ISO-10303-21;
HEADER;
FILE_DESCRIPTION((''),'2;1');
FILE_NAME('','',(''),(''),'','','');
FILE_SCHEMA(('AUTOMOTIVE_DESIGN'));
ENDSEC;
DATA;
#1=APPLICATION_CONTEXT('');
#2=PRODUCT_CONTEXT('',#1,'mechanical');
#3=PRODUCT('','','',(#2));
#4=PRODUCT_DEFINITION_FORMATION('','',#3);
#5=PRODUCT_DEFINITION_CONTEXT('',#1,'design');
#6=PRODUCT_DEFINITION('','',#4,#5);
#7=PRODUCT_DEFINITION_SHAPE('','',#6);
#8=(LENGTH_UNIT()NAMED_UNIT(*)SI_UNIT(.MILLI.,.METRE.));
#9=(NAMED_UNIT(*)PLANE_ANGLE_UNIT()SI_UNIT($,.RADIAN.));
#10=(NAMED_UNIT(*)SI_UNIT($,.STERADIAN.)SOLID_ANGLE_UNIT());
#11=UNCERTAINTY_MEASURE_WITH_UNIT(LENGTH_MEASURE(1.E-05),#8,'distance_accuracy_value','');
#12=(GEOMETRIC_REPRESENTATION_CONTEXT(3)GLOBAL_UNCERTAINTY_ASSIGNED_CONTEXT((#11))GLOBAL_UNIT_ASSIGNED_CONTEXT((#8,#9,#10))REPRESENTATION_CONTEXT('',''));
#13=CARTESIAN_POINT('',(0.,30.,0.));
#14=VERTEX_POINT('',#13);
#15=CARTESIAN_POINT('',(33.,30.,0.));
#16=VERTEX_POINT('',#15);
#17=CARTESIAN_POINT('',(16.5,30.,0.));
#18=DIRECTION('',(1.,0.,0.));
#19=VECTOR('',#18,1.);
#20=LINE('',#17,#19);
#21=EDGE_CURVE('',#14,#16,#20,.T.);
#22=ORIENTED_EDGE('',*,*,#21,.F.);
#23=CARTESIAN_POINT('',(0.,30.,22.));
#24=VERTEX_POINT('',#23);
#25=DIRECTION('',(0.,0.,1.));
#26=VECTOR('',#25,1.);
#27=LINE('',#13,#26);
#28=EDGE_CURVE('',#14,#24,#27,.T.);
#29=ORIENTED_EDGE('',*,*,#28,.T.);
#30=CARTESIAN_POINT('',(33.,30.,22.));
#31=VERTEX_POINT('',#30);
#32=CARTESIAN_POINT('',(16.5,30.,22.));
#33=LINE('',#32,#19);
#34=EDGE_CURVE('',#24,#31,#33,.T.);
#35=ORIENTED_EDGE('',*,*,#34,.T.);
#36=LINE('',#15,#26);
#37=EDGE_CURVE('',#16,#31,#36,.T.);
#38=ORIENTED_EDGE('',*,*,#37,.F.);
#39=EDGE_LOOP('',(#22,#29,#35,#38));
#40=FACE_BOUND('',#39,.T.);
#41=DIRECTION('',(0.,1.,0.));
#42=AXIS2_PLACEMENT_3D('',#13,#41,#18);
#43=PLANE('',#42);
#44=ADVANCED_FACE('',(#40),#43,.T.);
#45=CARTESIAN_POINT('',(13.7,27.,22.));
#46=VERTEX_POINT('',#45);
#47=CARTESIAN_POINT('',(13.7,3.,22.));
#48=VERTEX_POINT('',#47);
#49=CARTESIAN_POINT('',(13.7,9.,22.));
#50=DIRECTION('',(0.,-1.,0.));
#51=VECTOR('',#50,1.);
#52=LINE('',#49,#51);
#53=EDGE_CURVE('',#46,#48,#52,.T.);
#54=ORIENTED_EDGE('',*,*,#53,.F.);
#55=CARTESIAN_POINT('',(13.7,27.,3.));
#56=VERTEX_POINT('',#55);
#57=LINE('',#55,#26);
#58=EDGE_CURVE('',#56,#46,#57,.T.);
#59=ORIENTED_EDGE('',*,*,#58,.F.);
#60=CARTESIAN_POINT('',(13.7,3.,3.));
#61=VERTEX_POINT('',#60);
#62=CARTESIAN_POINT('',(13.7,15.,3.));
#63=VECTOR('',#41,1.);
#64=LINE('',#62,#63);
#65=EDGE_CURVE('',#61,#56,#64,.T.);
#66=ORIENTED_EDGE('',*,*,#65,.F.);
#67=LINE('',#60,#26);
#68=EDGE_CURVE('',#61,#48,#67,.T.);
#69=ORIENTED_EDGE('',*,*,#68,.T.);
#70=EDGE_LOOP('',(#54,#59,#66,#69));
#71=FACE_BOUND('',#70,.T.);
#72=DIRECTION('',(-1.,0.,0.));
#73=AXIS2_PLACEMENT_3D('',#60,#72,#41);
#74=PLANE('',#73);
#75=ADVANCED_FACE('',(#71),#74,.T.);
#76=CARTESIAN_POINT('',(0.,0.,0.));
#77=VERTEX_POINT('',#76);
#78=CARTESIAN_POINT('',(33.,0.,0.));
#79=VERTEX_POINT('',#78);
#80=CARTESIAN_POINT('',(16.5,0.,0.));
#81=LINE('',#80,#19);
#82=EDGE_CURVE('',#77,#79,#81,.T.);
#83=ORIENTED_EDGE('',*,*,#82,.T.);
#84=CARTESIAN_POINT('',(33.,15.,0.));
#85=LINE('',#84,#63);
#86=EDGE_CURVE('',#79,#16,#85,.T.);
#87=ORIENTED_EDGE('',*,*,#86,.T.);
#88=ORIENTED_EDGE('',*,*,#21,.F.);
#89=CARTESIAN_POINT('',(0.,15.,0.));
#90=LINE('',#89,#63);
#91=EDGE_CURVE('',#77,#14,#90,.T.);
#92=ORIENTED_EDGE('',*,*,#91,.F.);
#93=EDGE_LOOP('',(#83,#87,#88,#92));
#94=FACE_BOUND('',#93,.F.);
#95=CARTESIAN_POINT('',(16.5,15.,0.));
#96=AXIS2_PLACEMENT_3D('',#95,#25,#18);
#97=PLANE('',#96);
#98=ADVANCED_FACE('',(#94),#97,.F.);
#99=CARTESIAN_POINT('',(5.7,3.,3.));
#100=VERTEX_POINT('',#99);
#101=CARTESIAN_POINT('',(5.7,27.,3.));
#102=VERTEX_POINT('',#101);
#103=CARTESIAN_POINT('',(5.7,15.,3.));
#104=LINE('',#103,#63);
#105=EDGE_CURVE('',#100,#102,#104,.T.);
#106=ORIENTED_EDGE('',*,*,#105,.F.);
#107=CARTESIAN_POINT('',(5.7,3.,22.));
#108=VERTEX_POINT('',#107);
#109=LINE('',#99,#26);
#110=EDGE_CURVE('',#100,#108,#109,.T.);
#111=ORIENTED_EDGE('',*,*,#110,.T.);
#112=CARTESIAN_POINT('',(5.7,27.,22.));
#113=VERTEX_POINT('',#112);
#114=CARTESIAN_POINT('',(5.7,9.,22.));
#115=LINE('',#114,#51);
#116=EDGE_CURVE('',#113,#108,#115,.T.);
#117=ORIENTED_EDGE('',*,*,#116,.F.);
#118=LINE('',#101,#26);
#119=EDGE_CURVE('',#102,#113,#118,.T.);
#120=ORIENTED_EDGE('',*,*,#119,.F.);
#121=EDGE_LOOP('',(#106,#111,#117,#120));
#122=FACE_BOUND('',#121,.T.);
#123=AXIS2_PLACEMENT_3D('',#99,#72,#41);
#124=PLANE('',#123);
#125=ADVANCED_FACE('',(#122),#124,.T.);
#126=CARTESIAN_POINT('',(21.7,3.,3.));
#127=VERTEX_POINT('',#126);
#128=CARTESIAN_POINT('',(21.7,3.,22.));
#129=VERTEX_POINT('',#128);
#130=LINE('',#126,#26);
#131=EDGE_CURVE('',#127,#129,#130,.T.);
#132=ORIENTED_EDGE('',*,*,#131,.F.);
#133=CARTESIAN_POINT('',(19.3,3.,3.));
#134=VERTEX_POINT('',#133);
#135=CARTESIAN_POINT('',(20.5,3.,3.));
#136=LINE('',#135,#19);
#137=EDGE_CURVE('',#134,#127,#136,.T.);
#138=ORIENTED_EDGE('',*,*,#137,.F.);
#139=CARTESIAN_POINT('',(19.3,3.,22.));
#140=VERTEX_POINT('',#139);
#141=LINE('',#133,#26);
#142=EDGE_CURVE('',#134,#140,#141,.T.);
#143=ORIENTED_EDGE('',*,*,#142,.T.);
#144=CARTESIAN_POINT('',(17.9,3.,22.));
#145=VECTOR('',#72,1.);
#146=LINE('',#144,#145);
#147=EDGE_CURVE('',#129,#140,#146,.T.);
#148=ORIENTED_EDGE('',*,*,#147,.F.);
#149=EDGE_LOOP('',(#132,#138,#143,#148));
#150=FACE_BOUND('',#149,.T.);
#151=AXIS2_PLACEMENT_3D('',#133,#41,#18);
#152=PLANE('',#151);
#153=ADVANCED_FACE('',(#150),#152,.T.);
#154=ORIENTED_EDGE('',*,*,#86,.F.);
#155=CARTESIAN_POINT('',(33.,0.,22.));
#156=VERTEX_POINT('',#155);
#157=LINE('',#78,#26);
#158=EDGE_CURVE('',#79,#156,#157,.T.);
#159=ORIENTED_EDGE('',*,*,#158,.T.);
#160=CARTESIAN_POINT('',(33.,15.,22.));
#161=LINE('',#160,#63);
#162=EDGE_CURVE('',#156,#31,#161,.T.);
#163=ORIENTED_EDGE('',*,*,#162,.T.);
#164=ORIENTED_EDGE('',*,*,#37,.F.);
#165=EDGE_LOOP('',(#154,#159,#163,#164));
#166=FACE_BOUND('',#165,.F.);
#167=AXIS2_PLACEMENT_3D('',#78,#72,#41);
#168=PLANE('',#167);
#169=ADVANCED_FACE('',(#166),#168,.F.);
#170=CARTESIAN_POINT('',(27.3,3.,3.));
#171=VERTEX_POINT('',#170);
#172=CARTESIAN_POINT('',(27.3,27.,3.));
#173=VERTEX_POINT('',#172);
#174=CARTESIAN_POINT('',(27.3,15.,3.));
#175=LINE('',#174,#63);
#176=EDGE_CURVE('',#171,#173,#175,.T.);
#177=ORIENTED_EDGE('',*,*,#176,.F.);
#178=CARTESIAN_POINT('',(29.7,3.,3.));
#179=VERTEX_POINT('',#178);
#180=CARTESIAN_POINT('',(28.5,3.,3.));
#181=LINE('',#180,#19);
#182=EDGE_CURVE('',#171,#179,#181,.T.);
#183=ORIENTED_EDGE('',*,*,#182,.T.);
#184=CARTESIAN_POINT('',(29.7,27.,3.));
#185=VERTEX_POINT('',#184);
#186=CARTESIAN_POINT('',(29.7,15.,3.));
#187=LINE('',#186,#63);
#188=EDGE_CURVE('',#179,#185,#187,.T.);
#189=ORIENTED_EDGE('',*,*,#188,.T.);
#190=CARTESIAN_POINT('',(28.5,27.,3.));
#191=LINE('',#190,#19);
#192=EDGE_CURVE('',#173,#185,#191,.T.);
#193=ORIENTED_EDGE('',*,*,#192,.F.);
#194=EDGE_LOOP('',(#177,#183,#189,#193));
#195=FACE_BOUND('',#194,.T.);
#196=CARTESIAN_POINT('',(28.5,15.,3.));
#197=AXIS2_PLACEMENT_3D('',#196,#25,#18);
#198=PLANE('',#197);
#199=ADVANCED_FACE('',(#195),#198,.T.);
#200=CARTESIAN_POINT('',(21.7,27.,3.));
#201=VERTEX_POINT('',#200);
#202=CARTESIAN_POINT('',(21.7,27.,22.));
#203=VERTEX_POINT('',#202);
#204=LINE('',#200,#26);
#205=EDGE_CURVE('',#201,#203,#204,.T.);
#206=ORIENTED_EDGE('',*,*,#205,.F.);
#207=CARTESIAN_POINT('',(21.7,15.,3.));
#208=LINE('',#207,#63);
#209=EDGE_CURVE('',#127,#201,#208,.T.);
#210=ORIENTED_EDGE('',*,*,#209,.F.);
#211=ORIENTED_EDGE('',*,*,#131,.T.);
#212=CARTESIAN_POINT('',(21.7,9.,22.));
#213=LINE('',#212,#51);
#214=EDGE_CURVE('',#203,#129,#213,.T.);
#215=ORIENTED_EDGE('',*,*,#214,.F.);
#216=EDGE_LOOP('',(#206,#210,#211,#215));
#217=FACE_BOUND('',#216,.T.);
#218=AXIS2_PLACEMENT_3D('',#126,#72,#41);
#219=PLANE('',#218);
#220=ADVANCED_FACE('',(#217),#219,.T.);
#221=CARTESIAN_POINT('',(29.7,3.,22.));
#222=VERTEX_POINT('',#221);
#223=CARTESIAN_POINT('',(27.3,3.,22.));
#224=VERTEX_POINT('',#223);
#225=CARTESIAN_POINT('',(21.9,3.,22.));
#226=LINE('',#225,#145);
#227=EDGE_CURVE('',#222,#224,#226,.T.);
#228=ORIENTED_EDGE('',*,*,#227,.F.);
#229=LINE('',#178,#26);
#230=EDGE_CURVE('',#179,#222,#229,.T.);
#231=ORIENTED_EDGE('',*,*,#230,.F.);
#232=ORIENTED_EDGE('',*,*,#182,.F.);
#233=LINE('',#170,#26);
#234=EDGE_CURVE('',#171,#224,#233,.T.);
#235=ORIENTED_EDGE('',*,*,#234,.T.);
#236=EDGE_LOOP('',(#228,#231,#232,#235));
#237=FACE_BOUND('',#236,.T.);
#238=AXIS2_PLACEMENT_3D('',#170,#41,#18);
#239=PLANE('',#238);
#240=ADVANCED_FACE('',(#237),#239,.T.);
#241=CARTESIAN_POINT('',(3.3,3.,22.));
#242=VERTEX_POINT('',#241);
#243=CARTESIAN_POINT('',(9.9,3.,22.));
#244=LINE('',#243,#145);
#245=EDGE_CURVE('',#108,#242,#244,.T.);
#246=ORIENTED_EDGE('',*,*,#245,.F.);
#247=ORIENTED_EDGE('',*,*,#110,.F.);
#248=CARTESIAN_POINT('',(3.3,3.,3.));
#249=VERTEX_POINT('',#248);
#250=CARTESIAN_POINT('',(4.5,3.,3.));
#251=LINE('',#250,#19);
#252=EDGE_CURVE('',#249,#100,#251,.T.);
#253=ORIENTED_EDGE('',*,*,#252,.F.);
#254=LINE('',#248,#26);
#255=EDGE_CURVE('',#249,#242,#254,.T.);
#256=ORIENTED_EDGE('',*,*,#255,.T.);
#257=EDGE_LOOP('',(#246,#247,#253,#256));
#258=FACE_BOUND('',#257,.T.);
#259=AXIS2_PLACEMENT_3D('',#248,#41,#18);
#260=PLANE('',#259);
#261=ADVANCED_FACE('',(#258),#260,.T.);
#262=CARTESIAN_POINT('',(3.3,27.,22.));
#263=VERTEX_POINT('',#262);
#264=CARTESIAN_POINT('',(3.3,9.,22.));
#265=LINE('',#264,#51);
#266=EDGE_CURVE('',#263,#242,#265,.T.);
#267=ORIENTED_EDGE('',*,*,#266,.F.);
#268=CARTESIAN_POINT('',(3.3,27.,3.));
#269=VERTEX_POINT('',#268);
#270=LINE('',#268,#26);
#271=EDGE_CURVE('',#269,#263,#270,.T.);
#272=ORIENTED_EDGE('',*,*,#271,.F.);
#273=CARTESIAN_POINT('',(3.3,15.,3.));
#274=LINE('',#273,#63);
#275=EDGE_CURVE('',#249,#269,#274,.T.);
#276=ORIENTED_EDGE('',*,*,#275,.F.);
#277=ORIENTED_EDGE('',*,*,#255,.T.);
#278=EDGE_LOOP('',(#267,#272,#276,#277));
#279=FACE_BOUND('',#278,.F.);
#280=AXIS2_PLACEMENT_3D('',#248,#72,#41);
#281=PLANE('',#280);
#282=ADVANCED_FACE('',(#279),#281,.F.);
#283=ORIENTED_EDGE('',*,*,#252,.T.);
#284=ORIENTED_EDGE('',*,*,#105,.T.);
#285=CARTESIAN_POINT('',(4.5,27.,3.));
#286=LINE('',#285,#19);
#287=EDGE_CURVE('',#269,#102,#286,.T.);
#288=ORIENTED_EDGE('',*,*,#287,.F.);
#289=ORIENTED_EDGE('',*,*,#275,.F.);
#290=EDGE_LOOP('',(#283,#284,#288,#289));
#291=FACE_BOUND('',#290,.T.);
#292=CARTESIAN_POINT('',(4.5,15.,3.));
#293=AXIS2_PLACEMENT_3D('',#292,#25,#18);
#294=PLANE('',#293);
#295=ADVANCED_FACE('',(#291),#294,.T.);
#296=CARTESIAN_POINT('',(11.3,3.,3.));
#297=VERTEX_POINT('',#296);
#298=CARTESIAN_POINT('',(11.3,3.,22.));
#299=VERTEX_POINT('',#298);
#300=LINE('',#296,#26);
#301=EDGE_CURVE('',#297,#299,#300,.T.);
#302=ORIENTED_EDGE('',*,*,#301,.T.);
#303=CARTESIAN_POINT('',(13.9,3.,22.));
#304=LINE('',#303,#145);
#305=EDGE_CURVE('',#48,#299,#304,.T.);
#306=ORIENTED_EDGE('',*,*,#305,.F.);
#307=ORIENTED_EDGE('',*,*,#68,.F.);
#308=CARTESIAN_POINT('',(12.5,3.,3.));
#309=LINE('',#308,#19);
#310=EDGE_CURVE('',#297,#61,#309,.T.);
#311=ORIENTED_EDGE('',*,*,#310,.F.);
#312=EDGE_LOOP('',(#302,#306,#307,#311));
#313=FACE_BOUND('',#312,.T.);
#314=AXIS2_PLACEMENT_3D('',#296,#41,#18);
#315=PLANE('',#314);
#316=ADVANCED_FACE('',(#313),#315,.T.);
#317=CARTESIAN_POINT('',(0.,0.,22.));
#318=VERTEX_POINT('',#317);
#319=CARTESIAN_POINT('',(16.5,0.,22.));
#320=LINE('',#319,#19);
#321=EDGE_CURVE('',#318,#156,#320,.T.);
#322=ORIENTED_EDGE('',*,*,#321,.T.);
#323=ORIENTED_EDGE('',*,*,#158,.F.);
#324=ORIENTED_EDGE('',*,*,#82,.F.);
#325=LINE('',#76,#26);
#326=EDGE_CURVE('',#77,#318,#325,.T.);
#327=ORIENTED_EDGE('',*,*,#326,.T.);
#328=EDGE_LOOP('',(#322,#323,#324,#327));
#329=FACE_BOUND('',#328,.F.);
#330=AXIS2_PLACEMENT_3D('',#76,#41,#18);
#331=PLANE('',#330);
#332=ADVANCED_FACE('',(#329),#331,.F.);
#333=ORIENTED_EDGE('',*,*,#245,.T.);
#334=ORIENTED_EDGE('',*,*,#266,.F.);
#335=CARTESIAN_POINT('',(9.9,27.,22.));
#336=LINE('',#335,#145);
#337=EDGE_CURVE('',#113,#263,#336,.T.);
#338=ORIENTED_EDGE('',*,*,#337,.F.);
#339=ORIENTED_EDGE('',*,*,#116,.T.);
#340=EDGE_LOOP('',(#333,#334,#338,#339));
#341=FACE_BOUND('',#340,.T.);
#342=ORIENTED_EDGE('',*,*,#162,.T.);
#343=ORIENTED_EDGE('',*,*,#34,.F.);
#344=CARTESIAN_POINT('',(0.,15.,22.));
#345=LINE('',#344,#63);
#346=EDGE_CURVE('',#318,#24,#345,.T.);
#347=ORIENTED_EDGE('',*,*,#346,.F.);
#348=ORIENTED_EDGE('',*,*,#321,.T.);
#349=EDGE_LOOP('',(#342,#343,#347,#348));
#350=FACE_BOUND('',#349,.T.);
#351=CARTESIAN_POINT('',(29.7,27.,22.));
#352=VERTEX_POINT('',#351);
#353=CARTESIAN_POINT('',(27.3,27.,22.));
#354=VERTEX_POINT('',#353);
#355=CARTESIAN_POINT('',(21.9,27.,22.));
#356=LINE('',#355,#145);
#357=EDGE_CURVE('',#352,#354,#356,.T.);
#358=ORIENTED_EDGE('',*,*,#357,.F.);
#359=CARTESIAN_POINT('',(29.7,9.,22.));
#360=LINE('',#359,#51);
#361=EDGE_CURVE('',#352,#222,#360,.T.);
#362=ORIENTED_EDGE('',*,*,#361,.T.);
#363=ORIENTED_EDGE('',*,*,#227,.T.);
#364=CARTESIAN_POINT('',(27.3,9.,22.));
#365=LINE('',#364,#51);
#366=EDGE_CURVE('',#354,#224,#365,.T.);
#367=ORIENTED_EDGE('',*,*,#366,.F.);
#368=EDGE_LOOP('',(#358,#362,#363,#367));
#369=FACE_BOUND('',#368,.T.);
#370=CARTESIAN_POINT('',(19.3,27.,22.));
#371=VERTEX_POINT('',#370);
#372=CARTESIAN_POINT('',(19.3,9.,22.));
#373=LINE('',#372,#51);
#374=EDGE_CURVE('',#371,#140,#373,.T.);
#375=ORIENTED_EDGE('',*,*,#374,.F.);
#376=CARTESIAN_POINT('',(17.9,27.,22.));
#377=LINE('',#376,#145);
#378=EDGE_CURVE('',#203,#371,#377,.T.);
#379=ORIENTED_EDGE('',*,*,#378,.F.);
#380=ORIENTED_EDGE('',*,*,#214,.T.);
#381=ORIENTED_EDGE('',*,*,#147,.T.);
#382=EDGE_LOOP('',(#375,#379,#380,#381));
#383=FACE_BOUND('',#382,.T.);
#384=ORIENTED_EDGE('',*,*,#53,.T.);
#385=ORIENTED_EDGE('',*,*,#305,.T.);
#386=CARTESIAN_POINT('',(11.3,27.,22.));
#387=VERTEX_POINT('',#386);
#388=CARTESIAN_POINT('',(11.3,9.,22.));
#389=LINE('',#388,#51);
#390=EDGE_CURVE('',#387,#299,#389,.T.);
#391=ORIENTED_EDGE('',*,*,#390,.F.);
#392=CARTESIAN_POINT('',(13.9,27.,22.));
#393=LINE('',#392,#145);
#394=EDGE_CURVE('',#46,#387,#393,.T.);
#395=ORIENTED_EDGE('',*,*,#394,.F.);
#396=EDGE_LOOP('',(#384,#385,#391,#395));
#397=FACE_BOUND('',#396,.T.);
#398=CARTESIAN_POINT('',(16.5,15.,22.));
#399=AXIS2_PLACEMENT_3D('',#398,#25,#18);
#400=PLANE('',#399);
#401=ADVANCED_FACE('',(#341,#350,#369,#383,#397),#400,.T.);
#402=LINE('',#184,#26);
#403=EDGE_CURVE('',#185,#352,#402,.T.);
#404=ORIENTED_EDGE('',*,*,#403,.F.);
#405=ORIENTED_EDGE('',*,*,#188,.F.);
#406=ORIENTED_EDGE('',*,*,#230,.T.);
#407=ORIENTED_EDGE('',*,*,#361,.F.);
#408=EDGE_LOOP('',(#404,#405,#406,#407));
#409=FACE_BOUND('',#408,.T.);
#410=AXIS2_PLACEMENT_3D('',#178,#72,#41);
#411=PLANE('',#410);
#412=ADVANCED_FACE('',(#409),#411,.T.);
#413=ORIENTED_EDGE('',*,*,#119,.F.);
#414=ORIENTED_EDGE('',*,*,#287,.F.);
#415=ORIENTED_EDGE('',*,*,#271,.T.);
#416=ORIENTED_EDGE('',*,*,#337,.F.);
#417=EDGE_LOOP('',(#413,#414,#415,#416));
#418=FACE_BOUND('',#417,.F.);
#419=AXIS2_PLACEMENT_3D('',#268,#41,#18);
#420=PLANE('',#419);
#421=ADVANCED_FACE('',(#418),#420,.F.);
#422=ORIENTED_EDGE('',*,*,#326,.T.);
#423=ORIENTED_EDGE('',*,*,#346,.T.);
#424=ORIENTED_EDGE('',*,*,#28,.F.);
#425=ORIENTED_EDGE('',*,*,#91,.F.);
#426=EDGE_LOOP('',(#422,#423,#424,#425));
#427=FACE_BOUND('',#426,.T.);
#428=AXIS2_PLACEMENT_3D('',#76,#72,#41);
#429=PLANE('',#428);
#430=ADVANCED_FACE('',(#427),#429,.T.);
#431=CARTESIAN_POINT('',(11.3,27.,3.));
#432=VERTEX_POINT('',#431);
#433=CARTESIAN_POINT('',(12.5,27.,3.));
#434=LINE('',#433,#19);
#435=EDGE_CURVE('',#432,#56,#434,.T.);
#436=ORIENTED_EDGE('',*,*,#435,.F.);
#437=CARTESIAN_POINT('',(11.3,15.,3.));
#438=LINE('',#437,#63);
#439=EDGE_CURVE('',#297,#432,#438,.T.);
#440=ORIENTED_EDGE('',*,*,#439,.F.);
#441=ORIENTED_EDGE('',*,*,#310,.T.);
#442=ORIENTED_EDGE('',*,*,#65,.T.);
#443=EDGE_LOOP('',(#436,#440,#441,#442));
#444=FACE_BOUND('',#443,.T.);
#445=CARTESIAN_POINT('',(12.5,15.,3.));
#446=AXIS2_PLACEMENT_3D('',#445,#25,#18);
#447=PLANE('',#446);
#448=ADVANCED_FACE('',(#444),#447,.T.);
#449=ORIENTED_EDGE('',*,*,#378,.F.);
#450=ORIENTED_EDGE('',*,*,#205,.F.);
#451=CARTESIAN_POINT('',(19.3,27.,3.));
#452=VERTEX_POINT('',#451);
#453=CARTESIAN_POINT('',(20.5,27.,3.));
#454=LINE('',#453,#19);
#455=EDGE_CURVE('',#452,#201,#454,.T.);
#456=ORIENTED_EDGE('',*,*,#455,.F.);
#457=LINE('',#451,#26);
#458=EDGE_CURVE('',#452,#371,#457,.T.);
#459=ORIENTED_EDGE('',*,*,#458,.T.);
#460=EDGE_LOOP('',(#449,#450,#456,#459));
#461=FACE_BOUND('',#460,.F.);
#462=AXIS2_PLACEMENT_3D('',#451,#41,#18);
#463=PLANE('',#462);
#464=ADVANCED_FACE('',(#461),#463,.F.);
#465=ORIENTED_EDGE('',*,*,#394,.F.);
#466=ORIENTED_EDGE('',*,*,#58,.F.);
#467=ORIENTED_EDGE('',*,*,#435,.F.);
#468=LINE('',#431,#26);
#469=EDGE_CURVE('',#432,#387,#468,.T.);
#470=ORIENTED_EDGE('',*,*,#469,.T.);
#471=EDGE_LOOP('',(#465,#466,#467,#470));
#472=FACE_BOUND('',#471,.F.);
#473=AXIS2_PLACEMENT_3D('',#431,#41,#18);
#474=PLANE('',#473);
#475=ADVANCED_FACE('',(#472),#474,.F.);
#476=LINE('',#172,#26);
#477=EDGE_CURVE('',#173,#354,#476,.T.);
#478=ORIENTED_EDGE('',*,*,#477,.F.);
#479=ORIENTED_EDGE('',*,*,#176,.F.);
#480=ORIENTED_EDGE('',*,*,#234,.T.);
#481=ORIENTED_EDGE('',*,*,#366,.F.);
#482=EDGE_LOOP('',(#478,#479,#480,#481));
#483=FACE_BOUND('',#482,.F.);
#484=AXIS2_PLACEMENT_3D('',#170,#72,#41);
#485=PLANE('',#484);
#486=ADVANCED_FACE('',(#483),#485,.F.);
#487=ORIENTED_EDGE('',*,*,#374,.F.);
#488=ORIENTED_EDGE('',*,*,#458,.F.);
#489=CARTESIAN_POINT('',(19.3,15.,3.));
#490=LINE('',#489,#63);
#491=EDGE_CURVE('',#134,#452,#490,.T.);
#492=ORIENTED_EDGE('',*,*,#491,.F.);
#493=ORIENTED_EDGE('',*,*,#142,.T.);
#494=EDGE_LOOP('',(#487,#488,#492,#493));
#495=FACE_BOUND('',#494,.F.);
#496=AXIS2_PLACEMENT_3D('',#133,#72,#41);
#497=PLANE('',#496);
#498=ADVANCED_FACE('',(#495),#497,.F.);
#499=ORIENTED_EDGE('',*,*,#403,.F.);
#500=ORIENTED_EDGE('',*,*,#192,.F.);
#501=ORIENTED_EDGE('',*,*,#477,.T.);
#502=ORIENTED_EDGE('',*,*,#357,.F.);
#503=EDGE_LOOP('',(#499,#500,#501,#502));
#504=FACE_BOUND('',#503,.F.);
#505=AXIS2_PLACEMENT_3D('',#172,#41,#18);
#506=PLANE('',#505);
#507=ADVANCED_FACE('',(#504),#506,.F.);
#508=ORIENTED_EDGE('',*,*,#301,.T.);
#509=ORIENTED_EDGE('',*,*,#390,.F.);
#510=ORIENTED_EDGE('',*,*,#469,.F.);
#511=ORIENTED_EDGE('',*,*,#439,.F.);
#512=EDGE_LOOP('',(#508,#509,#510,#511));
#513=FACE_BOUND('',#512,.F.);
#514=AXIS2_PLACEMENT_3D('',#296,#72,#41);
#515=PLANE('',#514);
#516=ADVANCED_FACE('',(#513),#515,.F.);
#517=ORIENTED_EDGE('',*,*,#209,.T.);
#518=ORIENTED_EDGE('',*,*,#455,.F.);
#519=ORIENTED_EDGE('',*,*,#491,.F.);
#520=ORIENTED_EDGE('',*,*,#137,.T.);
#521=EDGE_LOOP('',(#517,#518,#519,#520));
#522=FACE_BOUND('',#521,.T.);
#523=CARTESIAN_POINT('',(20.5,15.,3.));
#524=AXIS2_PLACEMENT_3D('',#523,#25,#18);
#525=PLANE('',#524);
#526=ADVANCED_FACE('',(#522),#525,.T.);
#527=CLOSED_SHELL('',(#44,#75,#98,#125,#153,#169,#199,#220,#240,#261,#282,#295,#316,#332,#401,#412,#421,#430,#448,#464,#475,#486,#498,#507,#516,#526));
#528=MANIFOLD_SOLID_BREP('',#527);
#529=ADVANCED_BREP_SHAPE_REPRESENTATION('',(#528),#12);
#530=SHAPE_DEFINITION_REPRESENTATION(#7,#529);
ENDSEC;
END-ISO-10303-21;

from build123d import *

# Parameters (mm, degrees)
BOX001_W     = 2.4
BOX001_H     = 24
BOX001_DEPTH = 24
BOX002_W     = 2.4
BOX002_H     = 24
BOX002_DEPTH = 24
BOX003_W     = 2.4
BOX003_H     = 24
BOX003_DEPTH = 24
BOX004_W     = 2.4
BOX004_H     = 24
BOX004_DEPTH = 24
BOX_W        = 33
BOX_H        = 30
BOX_DEPTH    = 22


with BuildPart() as box001:
    # Box001 → Box001 (new body)
    with BuildSketch(Plane.XY):
        with Locations((1.2, 12)):
            Rectangle(BOX001_W, BOX001_H)
    extrude(amount=BOX001_DEPTH)


with BuildPart() as box002:
    # Box002 → Box002 (new body)
    with BuildSketch(Plane(origin=(8, 0, 0), x_dir=(1, 0, 0), z_dir=(0, 0, 1))):
        with Locations((1.2, 12)):
            Rectangle(BOX002_W, BOX002_H)
    extrude(amount=BOX002_DEPTH)


with BuildPart() as box003:
    # Box003 → Box003 (new body)
    with BuildSketch(Plane(origin=(16, 0, 0), x_dir=(1, 0, 0), z_dir=(0, 0, 1))):
        with Locations((1.2, 12)):
            Rectangle(BOX003_W, BOX003_H)
    extrude(amount=BOX003_DEPTH)


with BuildPart() as ranuras_sd:
    # Box004 → Box004 (new body)
    with BuildSketch(Plane(origin=(24, 0, 0), x_dir=(1, 0, 0), z_dir=(0, 0, 1))):
        with Locations((1.2, 12)):
            Rectangle(BOX004_W, BOX004_H)
    extrude(amount=BOX004_DEPTH)

    # Fusion: union Box001, Box002, Box003
    add(box001.part)
    add(box002.part)
    add(box003.part)


with BuildPart() as ranuras_sd_1:
    # Fusion placement: moved
    add(ranuras_sd.part.moved(Location((-13.2, -12, 3))))


with BuildPart() as porta_sd:
    # Box → Box (new body)
    with BuildSketch(Plane(origin=(-16.5, -15, 0), x_dir=(1, 0, 0), z_dir=(0, 0, 1))):
        with Locations((16.5, 15)):
            Rectangle(BOX_W, BOX_H)
    extrude(amount=BOX_DEPTH)

    # Cut: cut ranuras_sd
    add(ranuras_sd_1.part, mode=Mode.SUBTRACT)


with BuildPart() as porta_sd_1:
    # Cut placement: moved
    add(porta_sd.part.moved(Location((16.5, 15, 0))))


solid = porta_sd_1.part
